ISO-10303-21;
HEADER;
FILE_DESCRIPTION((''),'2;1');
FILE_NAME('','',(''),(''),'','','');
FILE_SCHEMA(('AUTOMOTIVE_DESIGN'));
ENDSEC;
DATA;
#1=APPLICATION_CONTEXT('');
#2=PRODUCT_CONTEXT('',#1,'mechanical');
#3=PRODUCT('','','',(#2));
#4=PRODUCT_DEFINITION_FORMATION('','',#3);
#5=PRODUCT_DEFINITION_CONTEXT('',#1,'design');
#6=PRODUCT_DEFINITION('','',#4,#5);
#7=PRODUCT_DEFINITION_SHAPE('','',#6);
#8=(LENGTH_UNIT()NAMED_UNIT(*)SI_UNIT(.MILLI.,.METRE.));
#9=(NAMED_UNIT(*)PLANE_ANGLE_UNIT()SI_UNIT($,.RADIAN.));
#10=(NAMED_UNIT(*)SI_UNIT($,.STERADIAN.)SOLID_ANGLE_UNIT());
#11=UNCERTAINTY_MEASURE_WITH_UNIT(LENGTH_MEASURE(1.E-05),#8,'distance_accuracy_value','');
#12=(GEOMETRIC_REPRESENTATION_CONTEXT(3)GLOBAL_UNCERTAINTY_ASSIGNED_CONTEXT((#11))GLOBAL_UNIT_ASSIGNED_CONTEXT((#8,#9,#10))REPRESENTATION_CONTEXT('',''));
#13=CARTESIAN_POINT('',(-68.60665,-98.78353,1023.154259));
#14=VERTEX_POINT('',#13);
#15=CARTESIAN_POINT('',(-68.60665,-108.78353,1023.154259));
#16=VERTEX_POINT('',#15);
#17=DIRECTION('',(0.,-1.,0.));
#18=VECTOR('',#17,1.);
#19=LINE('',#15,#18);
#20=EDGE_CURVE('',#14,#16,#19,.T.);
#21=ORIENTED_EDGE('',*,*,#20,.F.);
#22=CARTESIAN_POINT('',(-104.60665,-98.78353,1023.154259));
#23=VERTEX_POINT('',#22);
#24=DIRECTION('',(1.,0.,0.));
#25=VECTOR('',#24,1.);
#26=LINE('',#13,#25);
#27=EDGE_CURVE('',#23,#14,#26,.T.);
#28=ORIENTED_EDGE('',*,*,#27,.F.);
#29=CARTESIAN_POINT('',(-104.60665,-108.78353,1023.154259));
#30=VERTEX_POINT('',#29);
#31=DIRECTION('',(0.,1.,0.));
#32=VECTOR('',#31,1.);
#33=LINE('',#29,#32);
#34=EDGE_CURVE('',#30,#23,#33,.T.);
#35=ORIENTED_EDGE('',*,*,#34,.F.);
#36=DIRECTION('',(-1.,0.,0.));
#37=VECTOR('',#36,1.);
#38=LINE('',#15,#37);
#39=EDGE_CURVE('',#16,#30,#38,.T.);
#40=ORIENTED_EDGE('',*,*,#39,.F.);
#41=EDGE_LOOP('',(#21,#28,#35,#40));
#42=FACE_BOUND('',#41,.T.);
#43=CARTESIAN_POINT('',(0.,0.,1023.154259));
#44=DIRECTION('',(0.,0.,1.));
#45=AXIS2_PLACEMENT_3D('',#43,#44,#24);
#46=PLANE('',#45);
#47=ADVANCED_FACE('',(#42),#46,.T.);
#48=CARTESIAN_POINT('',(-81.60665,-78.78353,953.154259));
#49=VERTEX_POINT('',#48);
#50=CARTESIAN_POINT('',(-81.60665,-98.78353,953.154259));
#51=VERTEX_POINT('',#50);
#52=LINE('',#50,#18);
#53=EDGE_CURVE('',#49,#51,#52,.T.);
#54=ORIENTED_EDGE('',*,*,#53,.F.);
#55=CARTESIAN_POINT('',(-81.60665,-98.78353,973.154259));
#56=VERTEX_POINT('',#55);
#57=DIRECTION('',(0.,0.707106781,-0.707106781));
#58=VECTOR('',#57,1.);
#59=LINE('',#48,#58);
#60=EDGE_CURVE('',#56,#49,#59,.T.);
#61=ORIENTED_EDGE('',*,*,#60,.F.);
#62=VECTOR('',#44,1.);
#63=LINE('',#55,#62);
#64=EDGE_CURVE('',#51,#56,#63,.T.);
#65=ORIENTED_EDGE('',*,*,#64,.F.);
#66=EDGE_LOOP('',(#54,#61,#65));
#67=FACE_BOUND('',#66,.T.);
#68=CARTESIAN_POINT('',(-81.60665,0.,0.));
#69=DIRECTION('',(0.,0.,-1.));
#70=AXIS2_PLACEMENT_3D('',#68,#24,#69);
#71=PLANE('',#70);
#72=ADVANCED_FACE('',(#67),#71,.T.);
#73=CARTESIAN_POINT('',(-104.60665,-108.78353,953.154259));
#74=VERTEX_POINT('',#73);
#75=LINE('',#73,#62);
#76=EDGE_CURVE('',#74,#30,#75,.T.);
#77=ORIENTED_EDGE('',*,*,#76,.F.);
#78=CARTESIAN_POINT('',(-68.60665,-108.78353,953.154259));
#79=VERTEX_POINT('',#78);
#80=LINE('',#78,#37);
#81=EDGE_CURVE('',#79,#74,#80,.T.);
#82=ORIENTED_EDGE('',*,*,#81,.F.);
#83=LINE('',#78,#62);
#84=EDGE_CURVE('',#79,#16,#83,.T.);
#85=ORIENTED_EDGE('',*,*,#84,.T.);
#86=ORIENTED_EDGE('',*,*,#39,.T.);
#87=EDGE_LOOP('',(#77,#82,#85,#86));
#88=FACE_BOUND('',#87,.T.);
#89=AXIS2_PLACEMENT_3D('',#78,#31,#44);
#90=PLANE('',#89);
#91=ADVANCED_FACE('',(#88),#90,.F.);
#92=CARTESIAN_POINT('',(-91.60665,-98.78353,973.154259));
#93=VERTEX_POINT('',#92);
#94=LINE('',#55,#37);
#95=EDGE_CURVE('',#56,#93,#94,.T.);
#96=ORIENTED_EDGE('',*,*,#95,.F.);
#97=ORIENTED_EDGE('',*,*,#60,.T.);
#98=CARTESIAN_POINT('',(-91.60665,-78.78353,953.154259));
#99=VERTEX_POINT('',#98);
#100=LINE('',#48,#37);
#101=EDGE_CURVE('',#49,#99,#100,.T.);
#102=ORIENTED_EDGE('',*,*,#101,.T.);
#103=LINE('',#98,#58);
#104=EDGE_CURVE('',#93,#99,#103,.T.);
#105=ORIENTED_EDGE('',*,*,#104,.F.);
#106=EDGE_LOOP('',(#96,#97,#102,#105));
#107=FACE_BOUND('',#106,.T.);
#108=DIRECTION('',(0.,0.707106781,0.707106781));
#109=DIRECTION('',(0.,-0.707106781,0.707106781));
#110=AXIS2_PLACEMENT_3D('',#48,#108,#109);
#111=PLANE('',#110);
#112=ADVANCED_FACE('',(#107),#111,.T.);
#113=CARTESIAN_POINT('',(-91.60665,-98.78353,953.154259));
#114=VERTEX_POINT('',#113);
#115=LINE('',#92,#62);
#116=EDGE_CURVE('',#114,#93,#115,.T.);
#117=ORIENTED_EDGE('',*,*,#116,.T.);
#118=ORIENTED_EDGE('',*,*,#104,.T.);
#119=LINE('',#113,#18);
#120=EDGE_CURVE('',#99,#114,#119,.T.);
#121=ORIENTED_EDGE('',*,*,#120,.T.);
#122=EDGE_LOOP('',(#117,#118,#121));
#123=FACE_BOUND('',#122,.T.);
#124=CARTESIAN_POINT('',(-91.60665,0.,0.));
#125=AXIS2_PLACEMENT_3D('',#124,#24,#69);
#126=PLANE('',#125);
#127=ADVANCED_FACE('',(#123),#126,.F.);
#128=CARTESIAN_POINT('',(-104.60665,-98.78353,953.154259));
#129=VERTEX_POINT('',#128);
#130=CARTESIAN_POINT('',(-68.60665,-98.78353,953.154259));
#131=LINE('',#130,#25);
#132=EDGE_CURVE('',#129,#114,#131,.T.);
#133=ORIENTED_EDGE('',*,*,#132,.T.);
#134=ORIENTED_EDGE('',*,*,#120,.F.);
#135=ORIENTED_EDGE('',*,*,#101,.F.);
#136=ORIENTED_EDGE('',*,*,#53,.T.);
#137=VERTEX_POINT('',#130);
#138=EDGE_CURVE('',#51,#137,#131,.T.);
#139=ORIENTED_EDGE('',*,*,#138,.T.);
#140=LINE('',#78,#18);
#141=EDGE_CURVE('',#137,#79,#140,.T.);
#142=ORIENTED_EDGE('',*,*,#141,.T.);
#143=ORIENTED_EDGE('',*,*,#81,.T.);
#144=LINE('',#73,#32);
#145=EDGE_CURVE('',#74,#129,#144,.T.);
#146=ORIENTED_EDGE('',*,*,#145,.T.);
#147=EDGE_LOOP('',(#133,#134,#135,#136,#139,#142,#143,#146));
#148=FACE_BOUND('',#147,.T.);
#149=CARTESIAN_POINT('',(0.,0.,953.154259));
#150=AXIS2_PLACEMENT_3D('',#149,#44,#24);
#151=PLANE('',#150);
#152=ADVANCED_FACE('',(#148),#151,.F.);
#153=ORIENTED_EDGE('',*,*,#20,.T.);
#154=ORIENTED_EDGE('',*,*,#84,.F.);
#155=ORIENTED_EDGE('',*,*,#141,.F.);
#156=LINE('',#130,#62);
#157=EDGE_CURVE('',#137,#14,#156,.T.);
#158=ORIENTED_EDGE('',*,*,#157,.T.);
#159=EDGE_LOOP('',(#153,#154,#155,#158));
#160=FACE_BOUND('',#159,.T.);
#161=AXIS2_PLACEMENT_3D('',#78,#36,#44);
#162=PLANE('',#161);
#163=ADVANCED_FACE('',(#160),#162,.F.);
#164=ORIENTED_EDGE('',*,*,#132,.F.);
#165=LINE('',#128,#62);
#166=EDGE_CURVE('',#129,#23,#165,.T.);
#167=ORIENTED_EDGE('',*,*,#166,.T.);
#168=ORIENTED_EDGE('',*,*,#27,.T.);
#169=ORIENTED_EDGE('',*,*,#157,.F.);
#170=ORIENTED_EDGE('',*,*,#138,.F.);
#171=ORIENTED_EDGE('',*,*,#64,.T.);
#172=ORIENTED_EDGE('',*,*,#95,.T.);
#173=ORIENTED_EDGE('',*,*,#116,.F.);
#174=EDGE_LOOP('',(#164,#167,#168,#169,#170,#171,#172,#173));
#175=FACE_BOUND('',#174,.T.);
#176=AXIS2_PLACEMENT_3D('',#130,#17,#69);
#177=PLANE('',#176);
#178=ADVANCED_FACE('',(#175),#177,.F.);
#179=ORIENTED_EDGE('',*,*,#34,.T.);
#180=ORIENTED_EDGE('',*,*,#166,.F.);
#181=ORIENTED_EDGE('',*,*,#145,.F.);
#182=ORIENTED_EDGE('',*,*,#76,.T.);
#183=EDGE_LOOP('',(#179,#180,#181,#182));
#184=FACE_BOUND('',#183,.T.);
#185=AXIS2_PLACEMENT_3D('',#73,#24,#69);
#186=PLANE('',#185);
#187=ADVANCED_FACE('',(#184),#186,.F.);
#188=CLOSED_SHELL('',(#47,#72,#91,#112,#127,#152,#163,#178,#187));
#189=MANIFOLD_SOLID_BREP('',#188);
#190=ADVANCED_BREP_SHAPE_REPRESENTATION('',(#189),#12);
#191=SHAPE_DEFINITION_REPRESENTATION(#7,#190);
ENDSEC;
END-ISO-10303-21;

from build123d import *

# Parameters (mm, degrees)
SKETCH_1_W           = 36
SKETCH_1_H           = 10
EXTRUDE_1_DEPTH      = 70
EXTRUDE_2_DEPTH      = 5
EXTRUDE_2_DEPTH_BACK = 5


with BuildPart() as part:
    # 草图1 → 凸台-拉伸1 (new body)
    with BuildSketch(Plane(origin=(0, 0, 1023.154259328), x_dir=(-1, 0, 0), z_dir=(0, 0, -1))):
        with Locations((86.606649797, -103.783530386)):
            Rectangle(SKETCH_1_W, SKETCH_1_H)
    extrude(amount=EXTRUDE_1_DEPTH)

    # 草图3 → 凸台-拉伸2 (add, two sides: drawn at the far end of the back side and taken through both)
    with BuildSketch(Plane.ZY.offset(86.606649797).offset(-EXTRUDE_2_DEPTH_BACK)):
        Polygon((953.154259328, -98.783530386), (953.154259328, -78.783530386), (973.154259328, -98.783530386), align=None)
    extrude(amount=EXTRUDE_2_DEPTH + EXTRUDE_2_DEPTH_BACK)


solid = part.part
